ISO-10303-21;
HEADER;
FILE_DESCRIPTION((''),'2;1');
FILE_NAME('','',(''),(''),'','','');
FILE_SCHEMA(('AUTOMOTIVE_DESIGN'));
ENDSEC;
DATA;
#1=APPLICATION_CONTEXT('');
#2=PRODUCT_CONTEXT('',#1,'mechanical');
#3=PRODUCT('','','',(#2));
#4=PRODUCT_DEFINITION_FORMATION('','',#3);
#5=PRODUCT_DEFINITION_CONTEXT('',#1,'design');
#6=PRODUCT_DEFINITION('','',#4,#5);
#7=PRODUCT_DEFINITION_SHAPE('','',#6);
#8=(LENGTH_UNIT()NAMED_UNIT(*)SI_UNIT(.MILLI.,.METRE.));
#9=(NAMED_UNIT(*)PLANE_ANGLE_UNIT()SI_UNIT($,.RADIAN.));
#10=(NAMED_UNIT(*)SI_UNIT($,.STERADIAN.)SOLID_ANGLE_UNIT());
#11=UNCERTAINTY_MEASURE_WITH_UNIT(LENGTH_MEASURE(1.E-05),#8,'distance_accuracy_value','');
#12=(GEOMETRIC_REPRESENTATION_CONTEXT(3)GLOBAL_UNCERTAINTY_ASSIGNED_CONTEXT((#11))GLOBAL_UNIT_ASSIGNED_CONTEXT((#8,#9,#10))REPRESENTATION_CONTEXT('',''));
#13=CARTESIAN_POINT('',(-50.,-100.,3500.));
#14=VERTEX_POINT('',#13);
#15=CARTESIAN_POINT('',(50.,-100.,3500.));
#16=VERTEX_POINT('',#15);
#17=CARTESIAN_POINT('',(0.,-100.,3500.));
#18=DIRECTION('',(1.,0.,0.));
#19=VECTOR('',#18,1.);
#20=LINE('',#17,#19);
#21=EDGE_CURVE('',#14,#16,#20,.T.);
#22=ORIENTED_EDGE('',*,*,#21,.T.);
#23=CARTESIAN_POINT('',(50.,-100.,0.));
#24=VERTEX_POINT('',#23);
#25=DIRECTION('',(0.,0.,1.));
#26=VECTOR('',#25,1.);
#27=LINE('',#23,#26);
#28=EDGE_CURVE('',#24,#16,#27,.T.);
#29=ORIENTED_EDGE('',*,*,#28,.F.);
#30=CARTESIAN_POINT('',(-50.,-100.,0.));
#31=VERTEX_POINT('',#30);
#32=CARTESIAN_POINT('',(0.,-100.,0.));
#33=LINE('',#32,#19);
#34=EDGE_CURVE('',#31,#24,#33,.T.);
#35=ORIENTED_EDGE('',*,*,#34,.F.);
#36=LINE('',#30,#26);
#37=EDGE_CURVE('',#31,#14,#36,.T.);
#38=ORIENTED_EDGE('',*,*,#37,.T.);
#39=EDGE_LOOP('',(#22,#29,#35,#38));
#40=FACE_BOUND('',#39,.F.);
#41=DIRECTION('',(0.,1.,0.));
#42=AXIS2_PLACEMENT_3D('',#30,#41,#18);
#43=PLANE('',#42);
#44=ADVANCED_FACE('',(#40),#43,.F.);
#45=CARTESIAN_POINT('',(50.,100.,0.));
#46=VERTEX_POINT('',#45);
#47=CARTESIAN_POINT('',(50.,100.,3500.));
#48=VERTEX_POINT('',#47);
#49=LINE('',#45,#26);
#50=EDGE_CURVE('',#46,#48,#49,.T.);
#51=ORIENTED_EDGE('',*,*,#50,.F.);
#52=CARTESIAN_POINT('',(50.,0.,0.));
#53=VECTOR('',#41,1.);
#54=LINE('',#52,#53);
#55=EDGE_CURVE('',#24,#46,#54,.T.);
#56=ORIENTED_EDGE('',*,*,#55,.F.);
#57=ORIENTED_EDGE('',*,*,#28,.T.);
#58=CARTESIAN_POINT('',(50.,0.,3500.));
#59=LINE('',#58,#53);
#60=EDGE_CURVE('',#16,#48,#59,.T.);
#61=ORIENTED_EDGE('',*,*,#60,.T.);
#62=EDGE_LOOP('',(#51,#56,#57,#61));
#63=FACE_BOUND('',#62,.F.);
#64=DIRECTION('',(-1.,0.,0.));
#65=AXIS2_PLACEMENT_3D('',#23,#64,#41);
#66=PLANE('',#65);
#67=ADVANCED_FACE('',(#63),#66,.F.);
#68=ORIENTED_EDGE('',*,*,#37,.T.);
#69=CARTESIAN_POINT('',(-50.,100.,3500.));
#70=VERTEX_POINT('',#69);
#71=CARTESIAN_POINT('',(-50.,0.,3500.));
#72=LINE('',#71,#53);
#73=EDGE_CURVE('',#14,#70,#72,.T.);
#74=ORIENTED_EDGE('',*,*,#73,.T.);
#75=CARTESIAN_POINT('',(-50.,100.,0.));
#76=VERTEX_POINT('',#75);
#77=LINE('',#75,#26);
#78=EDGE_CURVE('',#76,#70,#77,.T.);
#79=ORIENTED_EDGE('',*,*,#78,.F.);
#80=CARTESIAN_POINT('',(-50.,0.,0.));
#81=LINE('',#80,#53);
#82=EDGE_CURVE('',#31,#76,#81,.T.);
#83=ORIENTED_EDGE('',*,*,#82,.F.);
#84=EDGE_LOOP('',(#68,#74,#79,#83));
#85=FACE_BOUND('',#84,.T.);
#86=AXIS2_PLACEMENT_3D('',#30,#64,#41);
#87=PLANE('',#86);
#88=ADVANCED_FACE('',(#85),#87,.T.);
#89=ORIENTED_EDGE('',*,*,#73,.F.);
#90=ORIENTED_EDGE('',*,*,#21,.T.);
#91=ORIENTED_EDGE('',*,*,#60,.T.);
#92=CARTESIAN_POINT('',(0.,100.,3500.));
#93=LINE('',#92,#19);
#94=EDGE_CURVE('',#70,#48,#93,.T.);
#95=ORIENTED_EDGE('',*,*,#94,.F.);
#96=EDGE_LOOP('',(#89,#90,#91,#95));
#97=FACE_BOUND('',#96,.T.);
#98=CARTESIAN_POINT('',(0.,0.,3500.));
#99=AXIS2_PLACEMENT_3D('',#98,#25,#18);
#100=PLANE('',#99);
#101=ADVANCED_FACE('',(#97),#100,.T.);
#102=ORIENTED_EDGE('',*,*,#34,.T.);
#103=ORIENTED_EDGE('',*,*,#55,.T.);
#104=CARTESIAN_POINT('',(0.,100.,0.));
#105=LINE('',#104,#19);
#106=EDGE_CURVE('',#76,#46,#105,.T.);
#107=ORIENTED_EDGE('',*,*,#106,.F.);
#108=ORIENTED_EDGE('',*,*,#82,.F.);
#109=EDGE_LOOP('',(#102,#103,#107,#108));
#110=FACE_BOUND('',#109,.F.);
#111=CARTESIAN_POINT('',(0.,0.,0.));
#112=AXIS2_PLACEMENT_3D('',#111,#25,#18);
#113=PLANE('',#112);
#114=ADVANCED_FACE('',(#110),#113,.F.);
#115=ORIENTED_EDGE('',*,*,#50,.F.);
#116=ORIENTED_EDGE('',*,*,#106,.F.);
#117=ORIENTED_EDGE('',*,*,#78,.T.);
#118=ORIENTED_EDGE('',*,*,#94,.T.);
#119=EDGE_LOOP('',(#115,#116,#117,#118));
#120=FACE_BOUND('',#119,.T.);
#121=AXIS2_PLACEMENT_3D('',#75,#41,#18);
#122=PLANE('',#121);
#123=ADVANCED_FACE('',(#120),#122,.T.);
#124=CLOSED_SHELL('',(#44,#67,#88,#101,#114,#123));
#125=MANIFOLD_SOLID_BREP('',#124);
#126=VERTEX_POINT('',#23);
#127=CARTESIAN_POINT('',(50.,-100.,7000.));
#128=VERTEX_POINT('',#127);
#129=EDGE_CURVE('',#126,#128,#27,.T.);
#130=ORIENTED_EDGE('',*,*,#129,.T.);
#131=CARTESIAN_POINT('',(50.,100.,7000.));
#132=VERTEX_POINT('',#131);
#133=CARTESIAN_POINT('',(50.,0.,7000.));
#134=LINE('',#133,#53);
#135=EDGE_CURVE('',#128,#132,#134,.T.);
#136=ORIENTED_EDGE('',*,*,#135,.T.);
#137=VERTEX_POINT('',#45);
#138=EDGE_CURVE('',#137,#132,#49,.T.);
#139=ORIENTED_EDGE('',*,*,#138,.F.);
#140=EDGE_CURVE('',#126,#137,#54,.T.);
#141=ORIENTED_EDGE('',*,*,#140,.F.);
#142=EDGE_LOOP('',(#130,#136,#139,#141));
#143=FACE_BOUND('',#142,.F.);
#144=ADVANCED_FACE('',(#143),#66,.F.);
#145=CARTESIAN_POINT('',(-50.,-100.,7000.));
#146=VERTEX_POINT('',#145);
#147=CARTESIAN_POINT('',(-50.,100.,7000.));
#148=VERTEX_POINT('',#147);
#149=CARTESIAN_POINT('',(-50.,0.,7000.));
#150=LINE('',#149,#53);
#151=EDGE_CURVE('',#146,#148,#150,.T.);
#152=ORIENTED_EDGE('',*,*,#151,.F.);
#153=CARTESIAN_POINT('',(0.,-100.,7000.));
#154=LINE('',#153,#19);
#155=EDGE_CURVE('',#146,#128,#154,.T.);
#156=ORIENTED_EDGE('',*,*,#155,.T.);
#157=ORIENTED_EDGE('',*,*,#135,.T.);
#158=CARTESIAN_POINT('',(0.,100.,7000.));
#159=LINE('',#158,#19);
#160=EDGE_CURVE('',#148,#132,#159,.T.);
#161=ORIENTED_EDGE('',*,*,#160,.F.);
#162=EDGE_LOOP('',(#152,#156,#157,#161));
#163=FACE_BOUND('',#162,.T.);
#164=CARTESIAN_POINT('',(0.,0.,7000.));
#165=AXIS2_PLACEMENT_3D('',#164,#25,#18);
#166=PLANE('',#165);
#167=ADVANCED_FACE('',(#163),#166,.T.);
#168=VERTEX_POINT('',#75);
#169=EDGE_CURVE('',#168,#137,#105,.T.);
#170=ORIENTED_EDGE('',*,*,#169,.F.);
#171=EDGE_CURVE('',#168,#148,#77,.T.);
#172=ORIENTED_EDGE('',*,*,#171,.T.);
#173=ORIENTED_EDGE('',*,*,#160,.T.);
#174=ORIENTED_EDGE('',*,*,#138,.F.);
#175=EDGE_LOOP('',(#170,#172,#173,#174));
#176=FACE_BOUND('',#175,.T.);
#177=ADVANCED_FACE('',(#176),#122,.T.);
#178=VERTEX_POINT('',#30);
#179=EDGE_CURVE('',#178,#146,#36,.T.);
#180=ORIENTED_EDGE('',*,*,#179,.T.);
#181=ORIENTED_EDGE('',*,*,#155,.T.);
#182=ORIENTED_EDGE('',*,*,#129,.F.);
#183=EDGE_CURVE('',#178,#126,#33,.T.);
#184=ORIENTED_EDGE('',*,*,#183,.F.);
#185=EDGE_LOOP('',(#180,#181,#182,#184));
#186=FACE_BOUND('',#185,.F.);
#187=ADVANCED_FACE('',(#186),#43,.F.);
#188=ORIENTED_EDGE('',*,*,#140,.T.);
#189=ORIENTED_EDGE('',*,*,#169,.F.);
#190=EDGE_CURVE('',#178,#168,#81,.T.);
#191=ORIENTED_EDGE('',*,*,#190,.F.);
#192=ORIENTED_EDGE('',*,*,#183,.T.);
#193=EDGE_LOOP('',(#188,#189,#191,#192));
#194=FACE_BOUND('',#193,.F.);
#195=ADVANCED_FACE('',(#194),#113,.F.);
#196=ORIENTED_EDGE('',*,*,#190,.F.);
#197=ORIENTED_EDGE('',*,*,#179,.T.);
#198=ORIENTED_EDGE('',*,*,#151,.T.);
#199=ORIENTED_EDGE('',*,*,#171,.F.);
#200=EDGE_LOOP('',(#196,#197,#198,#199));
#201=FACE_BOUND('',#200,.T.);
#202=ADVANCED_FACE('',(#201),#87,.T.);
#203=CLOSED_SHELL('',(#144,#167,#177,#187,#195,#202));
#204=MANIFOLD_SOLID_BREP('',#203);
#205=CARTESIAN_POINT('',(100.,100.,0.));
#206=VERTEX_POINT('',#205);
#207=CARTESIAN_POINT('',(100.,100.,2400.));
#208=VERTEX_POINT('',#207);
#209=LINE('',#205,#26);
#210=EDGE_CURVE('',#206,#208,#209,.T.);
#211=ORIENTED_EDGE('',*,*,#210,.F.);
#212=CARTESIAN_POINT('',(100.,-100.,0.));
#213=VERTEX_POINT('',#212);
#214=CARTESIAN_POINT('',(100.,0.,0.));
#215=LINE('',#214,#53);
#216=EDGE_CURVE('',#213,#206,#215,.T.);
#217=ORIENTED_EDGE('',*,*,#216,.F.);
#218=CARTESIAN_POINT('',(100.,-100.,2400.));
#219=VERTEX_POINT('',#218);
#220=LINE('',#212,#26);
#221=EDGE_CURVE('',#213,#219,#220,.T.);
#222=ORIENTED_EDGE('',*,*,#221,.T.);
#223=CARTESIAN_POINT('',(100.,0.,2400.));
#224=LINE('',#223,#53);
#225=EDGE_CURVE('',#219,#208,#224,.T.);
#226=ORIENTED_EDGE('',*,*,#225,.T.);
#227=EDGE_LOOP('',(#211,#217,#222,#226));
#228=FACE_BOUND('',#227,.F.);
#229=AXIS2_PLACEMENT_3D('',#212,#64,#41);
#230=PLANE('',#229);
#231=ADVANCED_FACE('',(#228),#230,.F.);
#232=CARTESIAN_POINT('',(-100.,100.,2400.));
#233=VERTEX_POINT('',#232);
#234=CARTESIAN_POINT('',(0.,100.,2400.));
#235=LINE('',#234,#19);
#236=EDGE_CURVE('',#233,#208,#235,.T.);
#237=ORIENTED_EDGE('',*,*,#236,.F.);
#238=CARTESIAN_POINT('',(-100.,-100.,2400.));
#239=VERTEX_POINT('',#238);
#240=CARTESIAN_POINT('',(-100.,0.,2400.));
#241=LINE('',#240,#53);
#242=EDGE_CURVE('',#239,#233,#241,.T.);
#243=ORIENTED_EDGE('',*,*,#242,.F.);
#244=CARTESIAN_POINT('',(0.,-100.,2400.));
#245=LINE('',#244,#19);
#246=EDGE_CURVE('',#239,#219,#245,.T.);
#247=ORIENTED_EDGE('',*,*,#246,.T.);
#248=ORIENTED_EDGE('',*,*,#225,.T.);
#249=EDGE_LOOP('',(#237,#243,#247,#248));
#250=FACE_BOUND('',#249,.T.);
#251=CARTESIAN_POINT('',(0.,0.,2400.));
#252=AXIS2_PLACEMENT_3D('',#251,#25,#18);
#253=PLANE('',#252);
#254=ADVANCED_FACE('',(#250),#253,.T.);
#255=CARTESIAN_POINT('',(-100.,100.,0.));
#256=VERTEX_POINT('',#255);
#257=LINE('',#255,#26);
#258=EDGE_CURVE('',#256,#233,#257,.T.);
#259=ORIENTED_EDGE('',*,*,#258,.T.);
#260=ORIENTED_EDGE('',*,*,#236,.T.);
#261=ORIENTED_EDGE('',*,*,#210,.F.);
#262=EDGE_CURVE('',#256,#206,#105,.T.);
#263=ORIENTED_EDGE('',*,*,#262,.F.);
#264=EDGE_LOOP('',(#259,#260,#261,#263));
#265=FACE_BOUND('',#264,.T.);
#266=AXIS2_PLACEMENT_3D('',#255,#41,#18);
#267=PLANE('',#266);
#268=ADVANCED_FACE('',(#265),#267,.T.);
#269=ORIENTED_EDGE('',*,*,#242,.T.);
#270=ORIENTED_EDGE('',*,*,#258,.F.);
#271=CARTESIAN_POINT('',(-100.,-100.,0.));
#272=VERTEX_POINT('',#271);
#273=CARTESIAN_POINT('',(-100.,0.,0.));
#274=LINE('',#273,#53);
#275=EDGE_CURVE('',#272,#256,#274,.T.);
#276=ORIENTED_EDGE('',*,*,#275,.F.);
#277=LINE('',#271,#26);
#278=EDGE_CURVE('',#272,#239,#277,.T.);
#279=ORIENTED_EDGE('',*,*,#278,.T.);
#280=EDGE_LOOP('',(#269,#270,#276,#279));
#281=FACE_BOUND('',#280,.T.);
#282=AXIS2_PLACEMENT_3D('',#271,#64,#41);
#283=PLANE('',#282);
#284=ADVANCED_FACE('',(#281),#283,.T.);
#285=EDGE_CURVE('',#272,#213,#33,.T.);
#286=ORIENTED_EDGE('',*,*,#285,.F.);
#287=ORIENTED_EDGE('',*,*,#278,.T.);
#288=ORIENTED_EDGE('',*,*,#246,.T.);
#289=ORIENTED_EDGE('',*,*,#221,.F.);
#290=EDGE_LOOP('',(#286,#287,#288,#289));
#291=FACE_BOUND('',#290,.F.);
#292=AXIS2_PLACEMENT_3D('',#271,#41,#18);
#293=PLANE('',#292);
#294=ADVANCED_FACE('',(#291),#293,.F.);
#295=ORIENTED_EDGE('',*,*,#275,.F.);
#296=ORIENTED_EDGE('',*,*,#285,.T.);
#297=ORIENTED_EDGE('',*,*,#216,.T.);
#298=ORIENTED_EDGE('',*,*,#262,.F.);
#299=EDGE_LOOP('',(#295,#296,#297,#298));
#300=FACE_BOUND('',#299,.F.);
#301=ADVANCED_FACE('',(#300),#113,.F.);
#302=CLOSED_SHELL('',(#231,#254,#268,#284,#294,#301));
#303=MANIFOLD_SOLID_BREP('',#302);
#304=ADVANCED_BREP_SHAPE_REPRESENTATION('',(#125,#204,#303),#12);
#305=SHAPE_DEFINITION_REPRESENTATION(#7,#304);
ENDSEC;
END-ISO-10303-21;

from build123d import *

# Parameters (mm, degrees)
F0_W     = 200
F0_H     = 200
F2_DEPTH = 2400
F1_W     = 100
F1_H     = 200
F3_DEPTH = 3500
F4_DEPTH = 7000


with BuildPart() as f2:
    # F0 (on Top) → F2 (new body)
    with BuildSketch(Plane.XY):
        Rectangle(F0_W, F0_H)
    extrude(amount=F2_DEPTH)


with BuildPart() as f3:
    # F1 (on Top) → F3 (new body)
    with BuildSketch(Plane.XY):
        Rectangle(F1_W, F1_H)
    extrude(amount=F3_DEPTH)


with BuildPart() as f4:
    # F1 (on Top) → F4 (new body)
    with BuildSketch(Plane.XY):
        Rectangle(F1_W, F1_H)
    extrude(amount=F4_DEPTH)


solid = Compound([f2.part, f3.part, f4.part])
